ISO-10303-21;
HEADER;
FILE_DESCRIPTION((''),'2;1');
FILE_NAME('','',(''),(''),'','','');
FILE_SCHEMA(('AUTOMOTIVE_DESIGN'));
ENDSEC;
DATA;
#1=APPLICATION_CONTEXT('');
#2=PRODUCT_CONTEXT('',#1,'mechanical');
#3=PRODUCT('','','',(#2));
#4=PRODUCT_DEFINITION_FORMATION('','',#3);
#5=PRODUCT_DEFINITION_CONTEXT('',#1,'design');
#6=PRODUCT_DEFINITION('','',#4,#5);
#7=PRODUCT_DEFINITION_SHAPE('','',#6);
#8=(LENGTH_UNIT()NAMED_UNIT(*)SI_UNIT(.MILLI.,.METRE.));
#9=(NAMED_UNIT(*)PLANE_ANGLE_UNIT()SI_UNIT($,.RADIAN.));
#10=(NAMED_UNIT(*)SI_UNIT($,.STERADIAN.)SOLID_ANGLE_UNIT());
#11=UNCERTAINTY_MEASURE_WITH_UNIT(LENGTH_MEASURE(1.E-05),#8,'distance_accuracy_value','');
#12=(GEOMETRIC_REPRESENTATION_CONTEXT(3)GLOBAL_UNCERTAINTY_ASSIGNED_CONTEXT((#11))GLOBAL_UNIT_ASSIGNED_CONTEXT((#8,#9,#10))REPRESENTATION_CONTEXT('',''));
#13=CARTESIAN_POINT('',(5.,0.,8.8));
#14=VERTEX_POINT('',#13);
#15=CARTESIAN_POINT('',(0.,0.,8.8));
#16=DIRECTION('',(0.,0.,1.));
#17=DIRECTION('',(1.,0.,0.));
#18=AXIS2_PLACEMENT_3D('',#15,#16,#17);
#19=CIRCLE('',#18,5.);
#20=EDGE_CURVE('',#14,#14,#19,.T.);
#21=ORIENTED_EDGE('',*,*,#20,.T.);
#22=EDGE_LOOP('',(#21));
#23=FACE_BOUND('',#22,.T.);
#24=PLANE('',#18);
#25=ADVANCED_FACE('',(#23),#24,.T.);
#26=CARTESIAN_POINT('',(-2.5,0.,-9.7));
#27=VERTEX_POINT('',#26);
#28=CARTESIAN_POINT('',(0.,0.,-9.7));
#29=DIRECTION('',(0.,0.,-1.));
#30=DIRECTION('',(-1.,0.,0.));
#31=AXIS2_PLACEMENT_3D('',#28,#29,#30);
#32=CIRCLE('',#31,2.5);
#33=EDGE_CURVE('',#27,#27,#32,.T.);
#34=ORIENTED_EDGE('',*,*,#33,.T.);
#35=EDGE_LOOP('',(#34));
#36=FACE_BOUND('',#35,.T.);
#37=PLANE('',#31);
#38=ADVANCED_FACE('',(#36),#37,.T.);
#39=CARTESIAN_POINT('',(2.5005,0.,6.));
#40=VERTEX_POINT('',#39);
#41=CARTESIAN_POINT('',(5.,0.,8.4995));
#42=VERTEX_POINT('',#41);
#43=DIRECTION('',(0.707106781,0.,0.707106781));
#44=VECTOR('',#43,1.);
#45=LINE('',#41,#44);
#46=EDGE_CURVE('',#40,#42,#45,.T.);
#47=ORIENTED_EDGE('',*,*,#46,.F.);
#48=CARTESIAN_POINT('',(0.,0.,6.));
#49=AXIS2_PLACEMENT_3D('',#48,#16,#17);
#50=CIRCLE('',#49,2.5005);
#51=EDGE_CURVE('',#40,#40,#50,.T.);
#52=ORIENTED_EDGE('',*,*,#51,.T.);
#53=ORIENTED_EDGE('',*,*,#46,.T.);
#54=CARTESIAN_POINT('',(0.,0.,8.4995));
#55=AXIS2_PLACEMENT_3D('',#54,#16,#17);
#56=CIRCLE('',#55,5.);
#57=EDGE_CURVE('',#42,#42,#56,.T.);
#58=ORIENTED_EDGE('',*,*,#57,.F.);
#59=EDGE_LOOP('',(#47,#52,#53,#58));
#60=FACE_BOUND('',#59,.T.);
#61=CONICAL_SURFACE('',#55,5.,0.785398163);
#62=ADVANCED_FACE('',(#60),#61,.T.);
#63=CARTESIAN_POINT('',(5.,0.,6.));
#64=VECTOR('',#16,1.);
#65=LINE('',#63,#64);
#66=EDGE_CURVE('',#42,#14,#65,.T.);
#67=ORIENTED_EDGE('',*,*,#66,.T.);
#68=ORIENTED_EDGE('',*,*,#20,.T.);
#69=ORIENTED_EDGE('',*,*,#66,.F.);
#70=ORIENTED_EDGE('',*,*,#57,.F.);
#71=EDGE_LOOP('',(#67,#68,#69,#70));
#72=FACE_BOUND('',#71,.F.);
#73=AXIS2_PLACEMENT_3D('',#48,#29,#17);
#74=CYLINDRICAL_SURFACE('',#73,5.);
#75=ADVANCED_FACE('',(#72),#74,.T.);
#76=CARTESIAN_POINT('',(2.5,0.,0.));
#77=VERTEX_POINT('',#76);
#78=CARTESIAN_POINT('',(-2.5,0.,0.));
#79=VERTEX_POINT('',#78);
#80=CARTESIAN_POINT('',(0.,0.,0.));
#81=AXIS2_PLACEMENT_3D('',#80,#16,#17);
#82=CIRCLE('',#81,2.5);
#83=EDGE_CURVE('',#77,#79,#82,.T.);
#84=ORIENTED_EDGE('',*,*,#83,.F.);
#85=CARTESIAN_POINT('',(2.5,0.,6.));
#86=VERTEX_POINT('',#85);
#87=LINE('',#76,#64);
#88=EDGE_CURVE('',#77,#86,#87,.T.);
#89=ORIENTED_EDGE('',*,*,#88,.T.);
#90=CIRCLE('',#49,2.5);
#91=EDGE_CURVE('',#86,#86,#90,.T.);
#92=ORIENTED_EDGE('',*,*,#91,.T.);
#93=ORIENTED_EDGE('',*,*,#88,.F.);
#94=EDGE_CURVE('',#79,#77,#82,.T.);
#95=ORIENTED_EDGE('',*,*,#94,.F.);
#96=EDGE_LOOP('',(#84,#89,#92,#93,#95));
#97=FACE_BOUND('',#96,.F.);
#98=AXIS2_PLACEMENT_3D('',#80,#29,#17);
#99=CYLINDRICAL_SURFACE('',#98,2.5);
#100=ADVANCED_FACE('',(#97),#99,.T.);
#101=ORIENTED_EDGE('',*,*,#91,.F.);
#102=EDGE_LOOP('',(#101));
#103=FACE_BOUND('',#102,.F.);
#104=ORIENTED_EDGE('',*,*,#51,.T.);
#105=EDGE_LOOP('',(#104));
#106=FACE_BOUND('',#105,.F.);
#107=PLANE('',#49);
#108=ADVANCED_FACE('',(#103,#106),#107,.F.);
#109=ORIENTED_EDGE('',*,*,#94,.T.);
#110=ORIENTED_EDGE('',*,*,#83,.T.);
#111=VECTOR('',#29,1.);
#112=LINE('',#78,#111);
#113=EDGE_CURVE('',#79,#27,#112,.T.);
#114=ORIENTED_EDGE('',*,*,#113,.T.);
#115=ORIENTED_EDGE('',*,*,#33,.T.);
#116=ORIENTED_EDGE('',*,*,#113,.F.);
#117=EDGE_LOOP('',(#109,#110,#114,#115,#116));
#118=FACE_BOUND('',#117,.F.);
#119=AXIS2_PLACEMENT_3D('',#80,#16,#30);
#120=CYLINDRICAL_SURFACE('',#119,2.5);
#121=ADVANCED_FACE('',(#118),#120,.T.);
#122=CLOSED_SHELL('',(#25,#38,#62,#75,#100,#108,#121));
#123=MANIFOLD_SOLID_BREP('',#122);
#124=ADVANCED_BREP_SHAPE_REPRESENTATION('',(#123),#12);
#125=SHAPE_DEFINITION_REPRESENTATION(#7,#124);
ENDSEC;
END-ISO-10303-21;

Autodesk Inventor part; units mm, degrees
ref_plane "YZ Plane" through (0, 0, 0) normal (1, 0, 0) x (0, 1, 0)
ref_plane "XZ Plane" through (0, 0, 0) normal (0, 1, 0) x (-1, 0, 0)
ref_plane "XY Plane" through (0, 0, 0) normal (0, 0, 1) x (1, 0, 0)
sketch "スケッチ1" plane through (0, 0, 0) normal (0, 0, 1) x (1, 0, 0)
  circle A0 centre (0, 0) radius 2.5
  dimension "d0" = 5
extrude "押し出し1" add sketch "スケッチ1" along normal blind 6
sketch "スケッチ2" plane through (0, 0, 6) normal (0, 0, 1) x (1, 0, 0)
  circle A0 centre (0, 0) radius 2.5 projected
  circle A1 centre (0, 0) radius 5
  dimension "d3" = 10
extrude "押し出し2" add sketch "スケッチ2" along normal blind 2.8 contours A0 | A1
thread "ねじ1" size "M4x0.7" class "6g" standard "ANSI Metric M Profile" full length
chamfer "面取り1" distance 2.5 angle 45 1 edges at (-5, 0, 6)
sketch "スケッチ4" plane through (0, 0, 0) normal (0, 0, -1) x (-1, 0, 0)
  circle A0 centre (0, 0) radius 2.5
  dimension "d16" = 5
extrude "押し出し4" add sketch "スケッチ4" along normal blind 9.7
properties part number "SB　M5 18mm 皿ネジ" material "Stainless Steel, 440C"
